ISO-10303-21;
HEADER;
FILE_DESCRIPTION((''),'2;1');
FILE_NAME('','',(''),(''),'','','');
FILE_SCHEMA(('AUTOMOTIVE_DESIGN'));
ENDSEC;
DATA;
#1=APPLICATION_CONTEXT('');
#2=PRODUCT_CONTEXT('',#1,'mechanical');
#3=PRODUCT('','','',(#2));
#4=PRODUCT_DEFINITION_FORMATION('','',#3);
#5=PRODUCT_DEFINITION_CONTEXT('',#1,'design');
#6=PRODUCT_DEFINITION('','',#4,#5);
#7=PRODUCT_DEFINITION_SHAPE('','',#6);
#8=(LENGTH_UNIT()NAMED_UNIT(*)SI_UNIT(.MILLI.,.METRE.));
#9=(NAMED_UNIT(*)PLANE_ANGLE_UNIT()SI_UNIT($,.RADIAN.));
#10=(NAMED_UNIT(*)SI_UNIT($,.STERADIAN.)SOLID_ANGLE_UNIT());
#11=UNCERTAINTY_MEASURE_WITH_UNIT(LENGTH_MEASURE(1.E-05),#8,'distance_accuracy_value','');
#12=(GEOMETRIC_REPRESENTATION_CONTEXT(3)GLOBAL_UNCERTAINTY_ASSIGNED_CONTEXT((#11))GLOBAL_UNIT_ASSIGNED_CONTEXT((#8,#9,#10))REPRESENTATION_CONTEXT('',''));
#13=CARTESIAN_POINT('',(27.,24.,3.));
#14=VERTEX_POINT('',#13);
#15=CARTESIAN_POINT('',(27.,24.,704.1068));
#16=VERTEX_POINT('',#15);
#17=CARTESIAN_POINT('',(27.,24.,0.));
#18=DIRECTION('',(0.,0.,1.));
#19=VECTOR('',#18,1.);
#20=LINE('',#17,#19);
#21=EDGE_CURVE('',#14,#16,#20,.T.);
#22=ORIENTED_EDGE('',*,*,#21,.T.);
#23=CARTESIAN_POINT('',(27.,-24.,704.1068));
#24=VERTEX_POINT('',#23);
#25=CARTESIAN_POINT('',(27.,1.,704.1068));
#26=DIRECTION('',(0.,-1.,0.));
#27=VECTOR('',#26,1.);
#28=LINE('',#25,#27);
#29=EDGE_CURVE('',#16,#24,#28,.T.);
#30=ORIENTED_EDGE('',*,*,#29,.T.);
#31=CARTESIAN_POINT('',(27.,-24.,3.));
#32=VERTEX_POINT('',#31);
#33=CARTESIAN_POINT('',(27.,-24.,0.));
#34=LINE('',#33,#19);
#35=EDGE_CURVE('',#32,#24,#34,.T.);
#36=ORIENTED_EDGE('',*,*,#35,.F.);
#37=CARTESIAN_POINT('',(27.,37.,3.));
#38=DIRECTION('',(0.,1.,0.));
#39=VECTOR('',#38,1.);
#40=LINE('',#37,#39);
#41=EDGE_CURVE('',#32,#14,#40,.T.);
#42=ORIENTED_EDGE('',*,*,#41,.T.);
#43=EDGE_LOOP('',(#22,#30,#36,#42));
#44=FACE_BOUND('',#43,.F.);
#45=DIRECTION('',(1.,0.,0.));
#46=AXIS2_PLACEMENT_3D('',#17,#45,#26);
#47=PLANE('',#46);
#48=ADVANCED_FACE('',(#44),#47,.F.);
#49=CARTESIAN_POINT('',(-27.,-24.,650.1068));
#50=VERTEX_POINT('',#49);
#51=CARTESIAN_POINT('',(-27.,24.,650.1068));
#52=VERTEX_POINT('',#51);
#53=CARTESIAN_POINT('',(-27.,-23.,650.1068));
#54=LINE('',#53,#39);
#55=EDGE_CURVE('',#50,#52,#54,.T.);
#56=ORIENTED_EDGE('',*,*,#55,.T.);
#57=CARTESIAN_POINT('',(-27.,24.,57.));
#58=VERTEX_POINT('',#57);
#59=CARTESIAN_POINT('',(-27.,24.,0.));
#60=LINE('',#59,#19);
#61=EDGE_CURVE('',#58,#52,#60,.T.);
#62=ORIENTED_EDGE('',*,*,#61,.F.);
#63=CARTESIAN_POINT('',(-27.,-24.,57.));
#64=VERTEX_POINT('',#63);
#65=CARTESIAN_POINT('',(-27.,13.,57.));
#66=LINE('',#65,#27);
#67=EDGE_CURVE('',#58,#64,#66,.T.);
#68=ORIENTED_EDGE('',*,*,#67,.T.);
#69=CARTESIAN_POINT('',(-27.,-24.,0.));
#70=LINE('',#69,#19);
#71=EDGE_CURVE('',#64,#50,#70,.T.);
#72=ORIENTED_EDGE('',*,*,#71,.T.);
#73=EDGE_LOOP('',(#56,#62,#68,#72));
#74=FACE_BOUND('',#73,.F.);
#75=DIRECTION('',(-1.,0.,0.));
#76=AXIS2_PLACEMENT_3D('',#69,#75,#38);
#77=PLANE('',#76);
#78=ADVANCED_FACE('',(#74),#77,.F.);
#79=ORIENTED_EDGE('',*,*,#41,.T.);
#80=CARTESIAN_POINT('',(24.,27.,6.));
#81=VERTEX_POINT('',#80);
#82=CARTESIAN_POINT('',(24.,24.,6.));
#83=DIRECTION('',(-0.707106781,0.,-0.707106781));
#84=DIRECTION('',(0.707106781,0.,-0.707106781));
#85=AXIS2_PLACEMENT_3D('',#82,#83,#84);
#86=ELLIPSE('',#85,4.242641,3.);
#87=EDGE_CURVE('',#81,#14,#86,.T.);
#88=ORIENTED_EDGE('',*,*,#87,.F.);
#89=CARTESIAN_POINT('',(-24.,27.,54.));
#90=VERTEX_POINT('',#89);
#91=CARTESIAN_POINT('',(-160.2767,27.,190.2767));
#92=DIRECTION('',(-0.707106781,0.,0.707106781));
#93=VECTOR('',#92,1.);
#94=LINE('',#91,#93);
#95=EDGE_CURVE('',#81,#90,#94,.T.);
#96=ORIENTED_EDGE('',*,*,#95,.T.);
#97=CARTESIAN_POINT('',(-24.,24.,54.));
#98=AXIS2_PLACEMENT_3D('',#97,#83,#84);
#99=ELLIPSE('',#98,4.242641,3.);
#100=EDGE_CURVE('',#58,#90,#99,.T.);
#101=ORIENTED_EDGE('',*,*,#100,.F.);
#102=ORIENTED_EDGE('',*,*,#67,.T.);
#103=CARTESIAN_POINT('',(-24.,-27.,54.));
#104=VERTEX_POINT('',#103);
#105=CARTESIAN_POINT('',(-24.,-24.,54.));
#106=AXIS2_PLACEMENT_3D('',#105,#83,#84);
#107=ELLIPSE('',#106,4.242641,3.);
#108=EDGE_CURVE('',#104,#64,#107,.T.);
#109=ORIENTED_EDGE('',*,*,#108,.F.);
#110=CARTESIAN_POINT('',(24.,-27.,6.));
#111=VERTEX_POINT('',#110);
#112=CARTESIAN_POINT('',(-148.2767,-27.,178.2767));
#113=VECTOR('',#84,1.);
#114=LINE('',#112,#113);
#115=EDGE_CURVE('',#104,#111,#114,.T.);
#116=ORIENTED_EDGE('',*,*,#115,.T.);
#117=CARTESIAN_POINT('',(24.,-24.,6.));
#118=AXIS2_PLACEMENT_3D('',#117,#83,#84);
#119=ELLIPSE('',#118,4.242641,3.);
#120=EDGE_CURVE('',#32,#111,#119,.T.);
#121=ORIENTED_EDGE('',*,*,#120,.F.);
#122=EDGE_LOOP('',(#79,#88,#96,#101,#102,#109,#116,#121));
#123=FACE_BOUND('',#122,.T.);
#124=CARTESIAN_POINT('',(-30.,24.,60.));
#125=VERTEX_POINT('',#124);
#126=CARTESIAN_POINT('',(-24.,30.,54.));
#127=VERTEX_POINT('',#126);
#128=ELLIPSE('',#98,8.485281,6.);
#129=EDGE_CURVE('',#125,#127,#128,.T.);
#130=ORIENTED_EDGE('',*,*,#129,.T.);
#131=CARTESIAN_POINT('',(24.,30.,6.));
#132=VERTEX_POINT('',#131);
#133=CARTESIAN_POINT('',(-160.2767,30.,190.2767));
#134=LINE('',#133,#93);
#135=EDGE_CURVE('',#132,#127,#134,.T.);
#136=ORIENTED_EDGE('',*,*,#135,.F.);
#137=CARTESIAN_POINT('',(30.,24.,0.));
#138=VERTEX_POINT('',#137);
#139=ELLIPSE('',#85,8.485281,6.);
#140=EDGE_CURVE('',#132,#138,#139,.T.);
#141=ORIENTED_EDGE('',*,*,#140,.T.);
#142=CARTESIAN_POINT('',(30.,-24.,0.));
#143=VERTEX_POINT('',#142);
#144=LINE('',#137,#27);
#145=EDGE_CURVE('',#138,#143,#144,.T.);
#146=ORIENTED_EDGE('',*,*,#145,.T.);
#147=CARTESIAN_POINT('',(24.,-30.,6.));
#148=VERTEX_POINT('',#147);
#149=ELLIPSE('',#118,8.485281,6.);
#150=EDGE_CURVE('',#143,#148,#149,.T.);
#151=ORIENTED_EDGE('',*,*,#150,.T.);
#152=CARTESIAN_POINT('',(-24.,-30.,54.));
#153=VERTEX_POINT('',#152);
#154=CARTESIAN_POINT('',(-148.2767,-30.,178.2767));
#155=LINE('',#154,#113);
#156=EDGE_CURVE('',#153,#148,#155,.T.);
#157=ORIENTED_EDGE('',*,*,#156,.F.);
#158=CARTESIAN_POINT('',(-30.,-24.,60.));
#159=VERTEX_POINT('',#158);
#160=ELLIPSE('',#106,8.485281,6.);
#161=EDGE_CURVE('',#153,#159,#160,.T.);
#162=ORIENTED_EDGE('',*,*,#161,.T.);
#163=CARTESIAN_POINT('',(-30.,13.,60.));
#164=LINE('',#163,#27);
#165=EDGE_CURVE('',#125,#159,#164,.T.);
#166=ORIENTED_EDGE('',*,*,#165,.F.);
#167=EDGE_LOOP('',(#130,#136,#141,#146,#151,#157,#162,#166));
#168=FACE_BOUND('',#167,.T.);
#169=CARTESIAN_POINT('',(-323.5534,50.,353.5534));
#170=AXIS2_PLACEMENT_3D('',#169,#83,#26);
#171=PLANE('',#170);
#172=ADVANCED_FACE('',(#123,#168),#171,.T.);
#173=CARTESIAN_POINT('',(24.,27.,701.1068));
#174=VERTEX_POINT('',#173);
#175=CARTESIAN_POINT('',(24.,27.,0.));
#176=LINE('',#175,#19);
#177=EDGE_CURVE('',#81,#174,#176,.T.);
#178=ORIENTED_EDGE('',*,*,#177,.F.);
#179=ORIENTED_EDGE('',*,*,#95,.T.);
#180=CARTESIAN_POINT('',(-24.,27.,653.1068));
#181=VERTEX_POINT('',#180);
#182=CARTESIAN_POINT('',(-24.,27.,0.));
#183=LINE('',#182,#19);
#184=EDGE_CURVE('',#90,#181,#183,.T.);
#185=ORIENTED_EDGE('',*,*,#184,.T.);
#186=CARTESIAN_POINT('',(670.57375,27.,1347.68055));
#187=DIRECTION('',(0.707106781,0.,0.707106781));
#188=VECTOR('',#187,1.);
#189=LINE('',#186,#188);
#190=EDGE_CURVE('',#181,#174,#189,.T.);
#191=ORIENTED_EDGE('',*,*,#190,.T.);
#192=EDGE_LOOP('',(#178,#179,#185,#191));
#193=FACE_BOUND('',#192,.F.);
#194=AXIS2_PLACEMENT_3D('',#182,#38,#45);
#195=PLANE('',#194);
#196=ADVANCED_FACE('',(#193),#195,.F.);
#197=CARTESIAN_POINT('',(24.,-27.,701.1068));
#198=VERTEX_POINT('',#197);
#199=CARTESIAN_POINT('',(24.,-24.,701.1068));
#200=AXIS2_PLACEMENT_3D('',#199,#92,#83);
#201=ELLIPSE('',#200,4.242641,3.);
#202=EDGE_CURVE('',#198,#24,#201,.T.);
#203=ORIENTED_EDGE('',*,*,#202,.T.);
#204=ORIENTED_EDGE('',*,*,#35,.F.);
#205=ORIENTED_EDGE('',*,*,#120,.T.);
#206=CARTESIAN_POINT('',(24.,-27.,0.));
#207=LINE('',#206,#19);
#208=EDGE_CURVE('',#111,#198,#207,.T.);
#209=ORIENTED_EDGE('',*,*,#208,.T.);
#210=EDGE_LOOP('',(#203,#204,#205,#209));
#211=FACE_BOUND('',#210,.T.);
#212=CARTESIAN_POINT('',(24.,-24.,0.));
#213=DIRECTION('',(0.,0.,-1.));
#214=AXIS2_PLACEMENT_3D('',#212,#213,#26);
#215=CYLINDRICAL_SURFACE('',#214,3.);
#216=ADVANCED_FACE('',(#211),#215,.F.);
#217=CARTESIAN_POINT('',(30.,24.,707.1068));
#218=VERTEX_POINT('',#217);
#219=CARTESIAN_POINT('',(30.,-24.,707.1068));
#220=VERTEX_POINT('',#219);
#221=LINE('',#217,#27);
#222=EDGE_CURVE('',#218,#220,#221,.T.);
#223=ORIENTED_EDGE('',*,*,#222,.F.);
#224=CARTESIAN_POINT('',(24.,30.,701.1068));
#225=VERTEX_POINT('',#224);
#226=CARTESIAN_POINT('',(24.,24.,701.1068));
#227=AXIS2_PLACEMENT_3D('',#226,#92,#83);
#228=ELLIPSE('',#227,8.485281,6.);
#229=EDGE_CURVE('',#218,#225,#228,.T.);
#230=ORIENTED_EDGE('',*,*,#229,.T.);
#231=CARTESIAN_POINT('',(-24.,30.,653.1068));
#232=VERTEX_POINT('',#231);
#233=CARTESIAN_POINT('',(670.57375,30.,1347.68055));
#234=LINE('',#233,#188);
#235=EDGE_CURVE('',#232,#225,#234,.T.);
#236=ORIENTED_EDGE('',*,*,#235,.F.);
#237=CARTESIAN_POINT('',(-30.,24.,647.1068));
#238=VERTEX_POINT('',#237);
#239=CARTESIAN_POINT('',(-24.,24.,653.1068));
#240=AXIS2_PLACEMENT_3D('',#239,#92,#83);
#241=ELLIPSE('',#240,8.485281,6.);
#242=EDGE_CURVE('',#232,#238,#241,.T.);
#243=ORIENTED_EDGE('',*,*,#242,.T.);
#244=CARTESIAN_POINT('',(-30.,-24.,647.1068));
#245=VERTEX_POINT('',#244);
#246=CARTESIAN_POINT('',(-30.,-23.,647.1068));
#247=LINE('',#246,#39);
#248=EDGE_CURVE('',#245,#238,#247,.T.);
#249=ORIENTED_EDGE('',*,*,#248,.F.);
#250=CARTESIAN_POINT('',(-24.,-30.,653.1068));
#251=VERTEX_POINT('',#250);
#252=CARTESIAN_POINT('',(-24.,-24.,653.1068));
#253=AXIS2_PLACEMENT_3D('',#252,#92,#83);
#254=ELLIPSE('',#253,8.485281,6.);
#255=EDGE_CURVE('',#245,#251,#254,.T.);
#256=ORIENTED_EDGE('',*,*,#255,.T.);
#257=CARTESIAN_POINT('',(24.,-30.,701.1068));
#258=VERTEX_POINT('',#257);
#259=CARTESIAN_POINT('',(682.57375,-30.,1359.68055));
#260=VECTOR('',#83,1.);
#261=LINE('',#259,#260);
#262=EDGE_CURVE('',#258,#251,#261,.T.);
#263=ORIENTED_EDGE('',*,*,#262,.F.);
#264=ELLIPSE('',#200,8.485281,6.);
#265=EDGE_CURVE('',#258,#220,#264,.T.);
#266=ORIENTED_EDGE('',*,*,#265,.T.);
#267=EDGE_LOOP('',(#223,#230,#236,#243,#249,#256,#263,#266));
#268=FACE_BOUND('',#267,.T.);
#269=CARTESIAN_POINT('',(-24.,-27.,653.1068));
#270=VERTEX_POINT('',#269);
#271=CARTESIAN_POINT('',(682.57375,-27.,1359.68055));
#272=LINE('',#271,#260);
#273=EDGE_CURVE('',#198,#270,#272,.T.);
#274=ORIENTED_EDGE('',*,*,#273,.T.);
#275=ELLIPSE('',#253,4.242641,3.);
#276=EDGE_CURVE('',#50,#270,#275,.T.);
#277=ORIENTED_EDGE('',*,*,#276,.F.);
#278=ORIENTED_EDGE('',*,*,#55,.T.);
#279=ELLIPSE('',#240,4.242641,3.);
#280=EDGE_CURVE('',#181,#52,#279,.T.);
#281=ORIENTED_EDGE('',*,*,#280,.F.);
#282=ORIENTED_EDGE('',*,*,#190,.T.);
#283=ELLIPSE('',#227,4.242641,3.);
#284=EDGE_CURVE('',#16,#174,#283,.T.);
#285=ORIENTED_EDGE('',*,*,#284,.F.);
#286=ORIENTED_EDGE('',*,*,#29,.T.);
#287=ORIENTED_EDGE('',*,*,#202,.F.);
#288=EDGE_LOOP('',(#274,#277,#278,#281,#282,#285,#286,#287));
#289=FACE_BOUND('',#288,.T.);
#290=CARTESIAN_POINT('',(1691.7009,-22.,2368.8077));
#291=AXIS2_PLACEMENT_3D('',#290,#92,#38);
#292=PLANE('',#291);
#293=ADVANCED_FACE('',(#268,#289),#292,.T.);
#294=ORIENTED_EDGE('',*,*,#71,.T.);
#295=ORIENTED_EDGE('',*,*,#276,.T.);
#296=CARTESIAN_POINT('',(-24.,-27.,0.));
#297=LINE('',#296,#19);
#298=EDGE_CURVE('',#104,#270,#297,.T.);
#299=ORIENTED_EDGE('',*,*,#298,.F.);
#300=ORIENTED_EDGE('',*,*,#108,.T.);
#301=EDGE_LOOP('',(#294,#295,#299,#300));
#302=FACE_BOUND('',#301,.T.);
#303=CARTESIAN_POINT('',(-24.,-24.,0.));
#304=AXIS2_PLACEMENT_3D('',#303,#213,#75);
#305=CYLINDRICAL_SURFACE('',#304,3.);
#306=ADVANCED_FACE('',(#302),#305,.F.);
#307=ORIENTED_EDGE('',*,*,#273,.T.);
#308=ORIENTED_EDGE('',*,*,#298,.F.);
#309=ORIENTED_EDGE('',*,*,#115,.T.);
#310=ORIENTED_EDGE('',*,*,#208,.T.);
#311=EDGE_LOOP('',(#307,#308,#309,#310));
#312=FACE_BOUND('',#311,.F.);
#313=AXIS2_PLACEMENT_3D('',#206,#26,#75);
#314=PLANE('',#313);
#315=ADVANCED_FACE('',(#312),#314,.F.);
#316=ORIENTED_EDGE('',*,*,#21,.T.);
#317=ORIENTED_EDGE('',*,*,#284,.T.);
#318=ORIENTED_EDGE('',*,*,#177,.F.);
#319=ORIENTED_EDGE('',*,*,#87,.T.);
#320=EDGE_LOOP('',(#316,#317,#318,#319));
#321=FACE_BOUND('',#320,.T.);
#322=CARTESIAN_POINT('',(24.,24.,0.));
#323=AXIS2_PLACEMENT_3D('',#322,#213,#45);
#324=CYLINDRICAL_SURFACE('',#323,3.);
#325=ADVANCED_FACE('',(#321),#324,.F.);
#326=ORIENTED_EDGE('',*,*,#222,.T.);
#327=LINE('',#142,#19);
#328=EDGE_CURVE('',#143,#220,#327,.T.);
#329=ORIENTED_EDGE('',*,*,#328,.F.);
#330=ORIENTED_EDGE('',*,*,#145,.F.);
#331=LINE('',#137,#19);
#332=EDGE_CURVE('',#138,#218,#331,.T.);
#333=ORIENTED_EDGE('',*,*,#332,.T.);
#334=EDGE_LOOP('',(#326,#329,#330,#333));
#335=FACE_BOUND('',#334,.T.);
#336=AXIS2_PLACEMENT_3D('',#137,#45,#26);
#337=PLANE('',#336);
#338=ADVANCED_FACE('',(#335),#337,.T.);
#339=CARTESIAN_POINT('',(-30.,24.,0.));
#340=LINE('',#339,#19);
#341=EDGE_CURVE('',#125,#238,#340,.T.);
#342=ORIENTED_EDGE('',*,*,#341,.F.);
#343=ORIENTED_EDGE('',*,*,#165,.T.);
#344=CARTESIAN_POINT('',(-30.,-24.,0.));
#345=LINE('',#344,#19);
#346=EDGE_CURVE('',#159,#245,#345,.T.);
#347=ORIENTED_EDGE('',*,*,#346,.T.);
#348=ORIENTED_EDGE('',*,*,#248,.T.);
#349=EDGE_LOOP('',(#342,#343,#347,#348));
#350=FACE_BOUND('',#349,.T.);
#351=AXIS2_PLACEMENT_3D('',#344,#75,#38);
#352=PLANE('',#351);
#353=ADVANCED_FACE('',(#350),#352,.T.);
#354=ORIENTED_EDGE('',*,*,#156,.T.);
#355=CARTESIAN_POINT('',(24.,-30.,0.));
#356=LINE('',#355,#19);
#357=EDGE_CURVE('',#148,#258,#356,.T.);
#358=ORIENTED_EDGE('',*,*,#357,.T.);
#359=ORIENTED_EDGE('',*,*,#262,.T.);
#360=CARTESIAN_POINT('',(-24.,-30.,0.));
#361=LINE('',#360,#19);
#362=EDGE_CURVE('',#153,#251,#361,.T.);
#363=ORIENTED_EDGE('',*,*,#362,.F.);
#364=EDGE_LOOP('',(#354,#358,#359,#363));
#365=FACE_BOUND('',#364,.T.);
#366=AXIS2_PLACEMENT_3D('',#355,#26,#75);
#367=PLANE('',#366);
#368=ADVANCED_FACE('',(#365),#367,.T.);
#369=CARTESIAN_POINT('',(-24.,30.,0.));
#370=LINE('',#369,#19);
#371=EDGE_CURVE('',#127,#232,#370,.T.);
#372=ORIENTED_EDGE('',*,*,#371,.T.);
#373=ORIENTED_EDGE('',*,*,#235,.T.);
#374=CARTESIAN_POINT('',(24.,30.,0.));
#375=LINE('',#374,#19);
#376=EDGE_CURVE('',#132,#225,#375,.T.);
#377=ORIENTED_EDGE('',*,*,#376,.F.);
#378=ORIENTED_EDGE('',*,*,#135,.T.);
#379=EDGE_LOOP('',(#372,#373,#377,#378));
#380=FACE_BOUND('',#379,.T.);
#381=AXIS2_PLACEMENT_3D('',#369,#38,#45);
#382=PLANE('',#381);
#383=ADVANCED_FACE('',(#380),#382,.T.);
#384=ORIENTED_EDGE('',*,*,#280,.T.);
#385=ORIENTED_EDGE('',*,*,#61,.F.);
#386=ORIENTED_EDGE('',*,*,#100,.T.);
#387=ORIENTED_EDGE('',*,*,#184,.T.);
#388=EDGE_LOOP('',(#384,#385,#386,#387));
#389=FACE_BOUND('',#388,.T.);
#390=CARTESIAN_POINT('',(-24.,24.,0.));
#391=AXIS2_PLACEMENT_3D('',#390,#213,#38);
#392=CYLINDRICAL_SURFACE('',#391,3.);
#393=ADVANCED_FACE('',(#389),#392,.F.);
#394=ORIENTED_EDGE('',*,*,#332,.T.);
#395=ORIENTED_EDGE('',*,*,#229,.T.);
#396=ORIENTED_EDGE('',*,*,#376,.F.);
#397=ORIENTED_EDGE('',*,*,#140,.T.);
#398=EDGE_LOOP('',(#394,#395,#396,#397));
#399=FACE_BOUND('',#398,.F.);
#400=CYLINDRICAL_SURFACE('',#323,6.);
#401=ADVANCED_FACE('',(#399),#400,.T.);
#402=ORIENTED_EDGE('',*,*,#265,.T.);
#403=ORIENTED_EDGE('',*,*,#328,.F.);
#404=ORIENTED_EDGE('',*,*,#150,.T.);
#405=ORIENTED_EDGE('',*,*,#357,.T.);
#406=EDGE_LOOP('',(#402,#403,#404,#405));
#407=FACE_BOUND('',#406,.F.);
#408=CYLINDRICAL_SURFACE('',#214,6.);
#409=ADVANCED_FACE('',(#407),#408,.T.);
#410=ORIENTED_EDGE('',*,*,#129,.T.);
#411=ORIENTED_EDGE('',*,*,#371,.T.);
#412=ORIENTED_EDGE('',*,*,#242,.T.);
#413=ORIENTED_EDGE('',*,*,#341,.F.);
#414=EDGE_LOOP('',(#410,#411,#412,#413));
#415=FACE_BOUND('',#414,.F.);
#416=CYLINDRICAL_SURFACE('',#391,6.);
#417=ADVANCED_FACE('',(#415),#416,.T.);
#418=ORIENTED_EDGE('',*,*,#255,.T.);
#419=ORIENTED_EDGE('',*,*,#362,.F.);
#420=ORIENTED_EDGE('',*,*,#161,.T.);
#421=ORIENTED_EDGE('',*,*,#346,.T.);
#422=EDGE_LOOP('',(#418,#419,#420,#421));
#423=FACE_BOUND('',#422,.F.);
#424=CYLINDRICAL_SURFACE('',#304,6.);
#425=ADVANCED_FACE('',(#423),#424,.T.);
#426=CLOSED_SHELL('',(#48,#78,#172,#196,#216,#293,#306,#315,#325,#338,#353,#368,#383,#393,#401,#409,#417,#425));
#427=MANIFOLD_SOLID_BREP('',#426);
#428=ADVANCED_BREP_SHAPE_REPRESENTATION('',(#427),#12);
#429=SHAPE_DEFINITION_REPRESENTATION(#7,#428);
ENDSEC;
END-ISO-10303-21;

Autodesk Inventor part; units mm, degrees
ref_plane "Start plane" through (0, 0, 0) normal (0, 0, 1) x (1, 0, 0)
ref_plane "End plane" through (0, 0, 707.1068) normal (0, 0, 1) x (1, 0, 0)
sketch "Sketch" plane through (0, 0, 0) normal (0, 0, 1) x (1, 0, 0)
  line L0 (-30, -24) -> (-30, 24)
  line L1 (-24, 30) -> (24, 30)
  line L2 (30, 24) -> (30, -24)
  line L3 (24, -30) -> (-24, -30)
  arc A0 (-30, -24) -> (-24, -30) centre (-24, -24) ccw
  arc A1 (30, 24) -> (24, 30) centre (24, 24) ccw
  arc A2 (-24, 30) -> (-30, 24) centre (-24, 24) ccw
  arc A3 (24, -30) -> (30, -24) centre (24, -24) ccw
  arc A4 (-24, 27) -> (-27, 24) centre (-24, 24) ccw
  line L4 (-24, 27) -> (24, 27)
  arc A5 (27, 24) -> (24, 27) centre (24, 24) ccw
  line L5 (27, 24) -> (27, -24)
  arc A6 (24, -27) -> (27, -24) centre (24, -24) ccw
  line L6 (24, -27) -> (-24, -27)
  arc A7 (-27, -24) -> (-24, -27) centre (-24, -24) ccw
  line L7 (-27, -24) -> (-27, 24)
  line L8 (0, 43.7397) -> (0, -43.7397) construction
  line L9 (-43.7397, 0) -> (43.7397, 0) construction
  dimension "d7" = 6
  dimension "d9" = 60
  dimension "d11" = 60
  dimension "d12" = 3
  dimension "d15" = 30
  dimension "d16" = 30
extrude "Body" add sketch "Sketch" along normal up to surface (707.1068 mm away) from surface at 0
sketch "Sketch3" plane through (0, 0, 0) normal (0, 0, 1) x (1, 0, 0)
  line L0 (0, 0) -> (10, 0)
ref_plane "Work Plane3" through (0, 0, 0) normal (0, -1, 0) x (1, 0, 0)
ref_plane "Work Plane4" through (1691.7009, -22, 2368.8077) normal (-0.7071, 0, 0.7071) x (0.7071, 0, 0.7071)
split "Split1" plane through (1691.7009, -22, 2368.8077) removes the side toward (-0.7071, 0, 0.7071)
ref_plane "Work Plane5" through (-323.5534, 50, 353.5534) normal (-0.7071, 0, -0.7071) x (-0.7071, 0, 0.7071)
split "Split2" plane through (-323.5534, 50, 353.5534) removes the side toward (-0.7071, 0, -0.7071)
sketch "Sketch4" plane through (0, 0, 0) normal (0, -1, 0) x (1, 0, 0)
  line L0 (-2, 0) -> (12, 0) projected
  line L1 (-2, 707.1068) -> (12, 707.1068) projected
  dimension "d18" = 707.1068
equation "\"d7\" = G_IR"
equation "\"d9\" = G_W"
equation "\"d11\" = G_H"
equation "\"d12\" = G_T"
equation "\"d15\" = 0.5 * d9"
equation "\"d16\" = 0.5 * d11"
equation "\"d3\" = G_L"
equation "\"G_W\" = 60"
equation "\"G_H\" = 60"
equation "\"G_T\" = 3"
equation "\"G_IR\" = 6"
equation "\"G_L\" = d18"
equation "\"G_OFFSET_START\" = 0"
equation "\"G_OFFSET_END\" = -141.42136"
equation "\"d14\" = G_OFFSET_END + B_L"
equation "\"B_L\" = 848.52814"
properties part number "ISO 10799-2 - 60x60x3 - 707,11" material "Steel, Mild"
